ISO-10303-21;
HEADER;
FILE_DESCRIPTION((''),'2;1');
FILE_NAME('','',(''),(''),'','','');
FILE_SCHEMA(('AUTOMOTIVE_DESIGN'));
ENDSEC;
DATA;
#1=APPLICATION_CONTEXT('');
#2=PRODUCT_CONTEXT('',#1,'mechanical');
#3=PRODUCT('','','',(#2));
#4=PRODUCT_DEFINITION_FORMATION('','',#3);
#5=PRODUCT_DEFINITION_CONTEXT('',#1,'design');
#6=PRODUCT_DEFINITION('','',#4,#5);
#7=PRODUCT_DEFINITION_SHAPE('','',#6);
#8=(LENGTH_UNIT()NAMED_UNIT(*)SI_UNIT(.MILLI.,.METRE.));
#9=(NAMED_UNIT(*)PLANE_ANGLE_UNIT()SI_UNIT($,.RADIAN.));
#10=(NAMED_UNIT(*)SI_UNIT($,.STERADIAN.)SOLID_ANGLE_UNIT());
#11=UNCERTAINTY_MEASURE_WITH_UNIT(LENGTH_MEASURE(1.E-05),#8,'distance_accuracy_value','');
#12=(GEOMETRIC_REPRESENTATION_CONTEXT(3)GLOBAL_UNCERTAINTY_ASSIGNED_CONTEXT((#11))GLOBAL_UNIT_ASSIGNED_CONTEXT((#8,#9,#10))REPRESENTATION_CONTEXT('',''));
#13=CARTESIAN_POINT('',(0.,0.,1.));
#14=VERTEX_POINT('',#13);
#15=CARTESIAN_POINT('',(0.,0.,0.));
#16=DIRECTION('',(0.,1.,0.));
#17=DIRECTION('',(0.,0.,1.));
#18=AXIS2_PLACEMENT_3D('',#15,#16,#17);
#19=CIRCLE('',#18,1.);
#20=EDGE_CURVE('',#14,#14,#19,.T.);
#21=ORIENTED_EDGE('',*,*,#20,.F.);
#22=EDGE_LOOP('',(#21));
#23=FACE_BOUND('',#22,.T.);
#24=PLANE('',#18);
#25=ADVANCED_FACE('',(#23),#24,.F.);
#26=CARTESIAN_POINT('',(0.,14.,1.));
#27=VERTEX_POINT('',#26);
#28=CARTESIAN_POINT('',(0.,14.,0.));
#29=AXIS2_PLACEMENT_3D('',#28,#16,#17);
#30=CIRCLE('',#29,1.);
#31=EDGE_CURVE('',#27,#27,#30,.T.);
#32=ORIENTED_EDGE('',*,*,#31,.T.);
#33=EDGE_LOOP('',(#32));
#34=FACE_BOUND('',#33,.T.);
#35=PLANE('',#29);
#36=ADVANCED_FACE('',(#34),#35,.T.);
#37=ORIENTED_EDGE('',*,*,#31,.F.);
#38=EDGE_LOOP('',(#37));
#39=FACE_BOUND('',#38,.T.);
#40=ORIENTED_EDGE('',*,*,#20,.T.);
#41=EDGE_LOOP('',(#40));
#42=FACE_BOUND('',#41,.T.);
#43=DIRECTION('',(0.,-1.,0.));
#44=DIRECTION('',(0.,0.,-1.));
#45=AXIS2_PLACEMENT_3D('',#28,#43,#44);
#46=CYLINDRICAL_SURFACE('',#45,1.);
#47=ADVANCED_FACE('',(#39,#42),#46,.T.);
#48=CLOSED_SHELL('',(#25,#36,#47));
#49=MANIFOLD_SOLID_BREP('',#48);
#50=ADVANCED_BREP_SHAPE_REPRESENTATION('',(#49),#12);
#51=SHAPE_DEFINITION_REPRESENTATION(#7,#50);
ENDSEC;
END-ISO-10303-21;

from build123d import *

# Parameters (mm, degrees)
SKETCH1_R           = 1
BOSS_EXTRUDE1_DEPTH = 14


with BuildPart() as part:
    # Sketch1 → Boss-Extrude1 (new body)
    with BuildSketch(Plane(origin=(0, 0, 0), x_dir=(1, 0, 0), z_dir=(0, 1, 0))):
        Circle(SKETCH1_R)
    extrude(amount=BOSS_EXTRUDE1_DEPTH)


solid = part.part
